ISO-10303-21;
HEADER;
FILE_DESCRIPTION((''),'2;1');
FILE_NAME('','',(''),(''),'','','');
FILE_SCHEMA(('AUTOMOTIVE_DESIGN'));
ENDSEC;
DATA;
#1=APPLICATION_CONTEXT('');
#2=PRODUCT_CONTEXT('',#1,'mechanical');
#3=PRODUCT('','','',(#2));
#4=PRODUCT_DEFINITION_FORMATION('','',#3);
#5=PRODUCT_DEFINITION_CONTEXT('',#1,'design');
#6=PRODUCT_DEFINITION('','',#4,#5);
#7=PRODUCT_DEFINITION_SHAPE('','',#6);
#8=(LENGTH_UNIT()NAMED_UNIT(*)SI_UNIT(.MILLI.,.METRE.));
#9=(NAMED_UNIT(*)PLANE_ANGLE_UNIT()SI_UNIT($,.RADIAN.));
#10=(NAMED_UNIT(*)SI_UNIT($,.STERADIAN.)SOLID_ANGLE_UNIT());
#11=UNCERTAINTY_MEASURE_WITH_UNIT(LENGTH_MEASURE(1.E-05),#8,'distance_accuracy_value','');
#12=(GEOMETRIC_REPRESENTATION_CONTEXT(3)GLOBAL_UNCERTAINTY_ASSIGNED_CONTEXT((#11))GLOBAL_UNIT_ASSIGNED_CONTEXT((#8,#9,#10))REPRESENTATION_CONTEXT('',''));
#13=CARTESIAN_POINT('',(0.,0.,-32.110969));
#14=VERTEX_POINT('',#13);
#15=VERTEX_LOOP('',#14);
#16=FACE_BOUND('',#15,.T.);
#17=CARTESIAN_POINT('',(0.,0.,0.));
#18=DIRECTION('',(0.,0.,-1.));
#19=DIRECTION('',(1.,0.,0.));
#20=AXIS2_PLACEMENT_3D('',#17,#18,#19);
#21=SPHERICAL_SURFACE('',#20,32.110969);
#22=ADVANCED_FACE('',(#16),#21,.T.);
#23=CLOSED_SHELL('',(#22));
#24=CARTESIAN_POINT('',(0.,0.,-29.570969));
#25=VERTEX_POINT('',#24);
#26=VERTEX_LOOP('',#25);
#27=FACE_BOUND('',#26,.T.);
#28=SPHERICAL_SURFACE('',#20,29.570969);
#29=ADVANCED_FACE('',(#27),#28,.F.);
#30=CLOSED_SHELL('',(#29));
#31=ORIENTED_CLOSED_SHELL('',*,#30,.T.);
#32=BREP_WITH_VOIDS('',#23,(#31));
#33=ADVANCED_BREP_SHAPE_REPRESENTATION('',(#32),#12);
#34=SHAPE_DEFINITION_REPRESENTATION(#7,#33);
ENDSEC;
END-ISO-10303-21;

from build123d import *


with BuildPart() as part:
    # Sketch1 → Revolve-Thin1 (revolve)
    with BuildSketch(Plane(origin=(0, 0, 0), x_dir=(1, 0, 0), z_dir=(0, 1, 0))):
        with BuildLine():
            ThreePointArc((0, 29.570968784), (-29.570968784, 0), (0, -29.570968784))
            Line((0, -29.570968784), (0, -32.110968784))
            ThreePointArc((0, -32.110968784), (-32.110968784, 0), (0, 32.110968784))
            Line((0, 32.110968784), (0, 29.570968784))
        make_face()
    revolve(axis=Axis((0, 0, -29.570968784), (0, 0, 1)))


solid = part.part
